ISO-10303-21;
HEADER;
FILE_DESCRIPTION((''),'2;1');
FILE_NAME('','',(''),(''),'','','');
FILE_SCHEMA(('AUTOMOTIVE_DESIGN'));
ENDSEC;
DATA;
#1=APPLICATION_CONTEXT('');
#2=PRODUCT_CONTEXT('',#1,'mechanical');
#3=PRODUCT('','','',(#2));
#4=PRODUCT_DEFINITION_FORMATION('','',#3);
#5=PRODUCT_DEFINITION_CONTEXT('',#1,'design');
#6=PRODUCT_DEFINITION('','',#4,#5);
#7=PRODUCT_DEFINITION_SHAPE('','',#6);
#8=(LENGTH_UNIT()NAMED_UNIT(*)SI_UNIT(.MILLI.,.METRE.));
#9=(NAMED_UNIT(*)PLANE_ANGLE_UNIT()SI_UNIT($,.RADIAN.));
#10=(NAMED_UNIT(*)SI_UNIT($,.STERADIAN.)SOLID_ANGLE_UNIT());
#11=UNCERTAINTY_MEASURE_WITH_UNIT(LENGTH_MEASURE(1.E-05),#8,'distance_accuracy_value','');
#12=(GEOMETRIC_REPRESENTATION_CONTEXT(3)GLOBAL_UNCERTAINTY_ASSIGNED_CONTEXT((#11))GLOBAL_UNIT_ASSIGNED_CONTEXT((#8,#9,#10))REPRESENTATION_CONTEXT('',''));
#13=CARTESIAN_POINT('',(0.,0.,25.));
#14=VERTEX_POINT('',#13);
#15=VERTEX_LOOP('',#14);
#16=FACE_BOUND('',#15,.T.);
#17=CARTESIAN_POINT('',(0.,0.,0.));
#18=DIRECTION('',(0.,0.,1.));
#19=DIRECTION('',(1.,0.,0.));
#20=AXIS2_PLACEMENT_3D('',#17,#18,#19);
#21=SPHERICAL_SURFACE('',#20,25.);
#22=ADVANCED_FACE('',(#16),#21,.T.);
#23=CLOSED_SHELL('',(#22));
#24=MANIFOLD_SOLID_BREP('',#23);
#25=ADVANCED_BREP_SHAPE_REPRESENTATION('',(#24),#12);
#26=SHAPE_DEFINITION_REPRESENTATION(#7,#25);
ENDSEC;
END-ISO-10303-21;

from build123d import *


with BuildPart() as part:
    # Sphere → Sphere (revolve)
    with BuildSketch(Plane.XZ):
        with BuildLine():
            ThreePointArc((0, -25), (25, 0), (0, 25))
            Line((0, 25), (0, -25))
        make_face()
    revolve(axis=Axis((0, 0, 0), (0, 0, 1)))


solid = part.part
